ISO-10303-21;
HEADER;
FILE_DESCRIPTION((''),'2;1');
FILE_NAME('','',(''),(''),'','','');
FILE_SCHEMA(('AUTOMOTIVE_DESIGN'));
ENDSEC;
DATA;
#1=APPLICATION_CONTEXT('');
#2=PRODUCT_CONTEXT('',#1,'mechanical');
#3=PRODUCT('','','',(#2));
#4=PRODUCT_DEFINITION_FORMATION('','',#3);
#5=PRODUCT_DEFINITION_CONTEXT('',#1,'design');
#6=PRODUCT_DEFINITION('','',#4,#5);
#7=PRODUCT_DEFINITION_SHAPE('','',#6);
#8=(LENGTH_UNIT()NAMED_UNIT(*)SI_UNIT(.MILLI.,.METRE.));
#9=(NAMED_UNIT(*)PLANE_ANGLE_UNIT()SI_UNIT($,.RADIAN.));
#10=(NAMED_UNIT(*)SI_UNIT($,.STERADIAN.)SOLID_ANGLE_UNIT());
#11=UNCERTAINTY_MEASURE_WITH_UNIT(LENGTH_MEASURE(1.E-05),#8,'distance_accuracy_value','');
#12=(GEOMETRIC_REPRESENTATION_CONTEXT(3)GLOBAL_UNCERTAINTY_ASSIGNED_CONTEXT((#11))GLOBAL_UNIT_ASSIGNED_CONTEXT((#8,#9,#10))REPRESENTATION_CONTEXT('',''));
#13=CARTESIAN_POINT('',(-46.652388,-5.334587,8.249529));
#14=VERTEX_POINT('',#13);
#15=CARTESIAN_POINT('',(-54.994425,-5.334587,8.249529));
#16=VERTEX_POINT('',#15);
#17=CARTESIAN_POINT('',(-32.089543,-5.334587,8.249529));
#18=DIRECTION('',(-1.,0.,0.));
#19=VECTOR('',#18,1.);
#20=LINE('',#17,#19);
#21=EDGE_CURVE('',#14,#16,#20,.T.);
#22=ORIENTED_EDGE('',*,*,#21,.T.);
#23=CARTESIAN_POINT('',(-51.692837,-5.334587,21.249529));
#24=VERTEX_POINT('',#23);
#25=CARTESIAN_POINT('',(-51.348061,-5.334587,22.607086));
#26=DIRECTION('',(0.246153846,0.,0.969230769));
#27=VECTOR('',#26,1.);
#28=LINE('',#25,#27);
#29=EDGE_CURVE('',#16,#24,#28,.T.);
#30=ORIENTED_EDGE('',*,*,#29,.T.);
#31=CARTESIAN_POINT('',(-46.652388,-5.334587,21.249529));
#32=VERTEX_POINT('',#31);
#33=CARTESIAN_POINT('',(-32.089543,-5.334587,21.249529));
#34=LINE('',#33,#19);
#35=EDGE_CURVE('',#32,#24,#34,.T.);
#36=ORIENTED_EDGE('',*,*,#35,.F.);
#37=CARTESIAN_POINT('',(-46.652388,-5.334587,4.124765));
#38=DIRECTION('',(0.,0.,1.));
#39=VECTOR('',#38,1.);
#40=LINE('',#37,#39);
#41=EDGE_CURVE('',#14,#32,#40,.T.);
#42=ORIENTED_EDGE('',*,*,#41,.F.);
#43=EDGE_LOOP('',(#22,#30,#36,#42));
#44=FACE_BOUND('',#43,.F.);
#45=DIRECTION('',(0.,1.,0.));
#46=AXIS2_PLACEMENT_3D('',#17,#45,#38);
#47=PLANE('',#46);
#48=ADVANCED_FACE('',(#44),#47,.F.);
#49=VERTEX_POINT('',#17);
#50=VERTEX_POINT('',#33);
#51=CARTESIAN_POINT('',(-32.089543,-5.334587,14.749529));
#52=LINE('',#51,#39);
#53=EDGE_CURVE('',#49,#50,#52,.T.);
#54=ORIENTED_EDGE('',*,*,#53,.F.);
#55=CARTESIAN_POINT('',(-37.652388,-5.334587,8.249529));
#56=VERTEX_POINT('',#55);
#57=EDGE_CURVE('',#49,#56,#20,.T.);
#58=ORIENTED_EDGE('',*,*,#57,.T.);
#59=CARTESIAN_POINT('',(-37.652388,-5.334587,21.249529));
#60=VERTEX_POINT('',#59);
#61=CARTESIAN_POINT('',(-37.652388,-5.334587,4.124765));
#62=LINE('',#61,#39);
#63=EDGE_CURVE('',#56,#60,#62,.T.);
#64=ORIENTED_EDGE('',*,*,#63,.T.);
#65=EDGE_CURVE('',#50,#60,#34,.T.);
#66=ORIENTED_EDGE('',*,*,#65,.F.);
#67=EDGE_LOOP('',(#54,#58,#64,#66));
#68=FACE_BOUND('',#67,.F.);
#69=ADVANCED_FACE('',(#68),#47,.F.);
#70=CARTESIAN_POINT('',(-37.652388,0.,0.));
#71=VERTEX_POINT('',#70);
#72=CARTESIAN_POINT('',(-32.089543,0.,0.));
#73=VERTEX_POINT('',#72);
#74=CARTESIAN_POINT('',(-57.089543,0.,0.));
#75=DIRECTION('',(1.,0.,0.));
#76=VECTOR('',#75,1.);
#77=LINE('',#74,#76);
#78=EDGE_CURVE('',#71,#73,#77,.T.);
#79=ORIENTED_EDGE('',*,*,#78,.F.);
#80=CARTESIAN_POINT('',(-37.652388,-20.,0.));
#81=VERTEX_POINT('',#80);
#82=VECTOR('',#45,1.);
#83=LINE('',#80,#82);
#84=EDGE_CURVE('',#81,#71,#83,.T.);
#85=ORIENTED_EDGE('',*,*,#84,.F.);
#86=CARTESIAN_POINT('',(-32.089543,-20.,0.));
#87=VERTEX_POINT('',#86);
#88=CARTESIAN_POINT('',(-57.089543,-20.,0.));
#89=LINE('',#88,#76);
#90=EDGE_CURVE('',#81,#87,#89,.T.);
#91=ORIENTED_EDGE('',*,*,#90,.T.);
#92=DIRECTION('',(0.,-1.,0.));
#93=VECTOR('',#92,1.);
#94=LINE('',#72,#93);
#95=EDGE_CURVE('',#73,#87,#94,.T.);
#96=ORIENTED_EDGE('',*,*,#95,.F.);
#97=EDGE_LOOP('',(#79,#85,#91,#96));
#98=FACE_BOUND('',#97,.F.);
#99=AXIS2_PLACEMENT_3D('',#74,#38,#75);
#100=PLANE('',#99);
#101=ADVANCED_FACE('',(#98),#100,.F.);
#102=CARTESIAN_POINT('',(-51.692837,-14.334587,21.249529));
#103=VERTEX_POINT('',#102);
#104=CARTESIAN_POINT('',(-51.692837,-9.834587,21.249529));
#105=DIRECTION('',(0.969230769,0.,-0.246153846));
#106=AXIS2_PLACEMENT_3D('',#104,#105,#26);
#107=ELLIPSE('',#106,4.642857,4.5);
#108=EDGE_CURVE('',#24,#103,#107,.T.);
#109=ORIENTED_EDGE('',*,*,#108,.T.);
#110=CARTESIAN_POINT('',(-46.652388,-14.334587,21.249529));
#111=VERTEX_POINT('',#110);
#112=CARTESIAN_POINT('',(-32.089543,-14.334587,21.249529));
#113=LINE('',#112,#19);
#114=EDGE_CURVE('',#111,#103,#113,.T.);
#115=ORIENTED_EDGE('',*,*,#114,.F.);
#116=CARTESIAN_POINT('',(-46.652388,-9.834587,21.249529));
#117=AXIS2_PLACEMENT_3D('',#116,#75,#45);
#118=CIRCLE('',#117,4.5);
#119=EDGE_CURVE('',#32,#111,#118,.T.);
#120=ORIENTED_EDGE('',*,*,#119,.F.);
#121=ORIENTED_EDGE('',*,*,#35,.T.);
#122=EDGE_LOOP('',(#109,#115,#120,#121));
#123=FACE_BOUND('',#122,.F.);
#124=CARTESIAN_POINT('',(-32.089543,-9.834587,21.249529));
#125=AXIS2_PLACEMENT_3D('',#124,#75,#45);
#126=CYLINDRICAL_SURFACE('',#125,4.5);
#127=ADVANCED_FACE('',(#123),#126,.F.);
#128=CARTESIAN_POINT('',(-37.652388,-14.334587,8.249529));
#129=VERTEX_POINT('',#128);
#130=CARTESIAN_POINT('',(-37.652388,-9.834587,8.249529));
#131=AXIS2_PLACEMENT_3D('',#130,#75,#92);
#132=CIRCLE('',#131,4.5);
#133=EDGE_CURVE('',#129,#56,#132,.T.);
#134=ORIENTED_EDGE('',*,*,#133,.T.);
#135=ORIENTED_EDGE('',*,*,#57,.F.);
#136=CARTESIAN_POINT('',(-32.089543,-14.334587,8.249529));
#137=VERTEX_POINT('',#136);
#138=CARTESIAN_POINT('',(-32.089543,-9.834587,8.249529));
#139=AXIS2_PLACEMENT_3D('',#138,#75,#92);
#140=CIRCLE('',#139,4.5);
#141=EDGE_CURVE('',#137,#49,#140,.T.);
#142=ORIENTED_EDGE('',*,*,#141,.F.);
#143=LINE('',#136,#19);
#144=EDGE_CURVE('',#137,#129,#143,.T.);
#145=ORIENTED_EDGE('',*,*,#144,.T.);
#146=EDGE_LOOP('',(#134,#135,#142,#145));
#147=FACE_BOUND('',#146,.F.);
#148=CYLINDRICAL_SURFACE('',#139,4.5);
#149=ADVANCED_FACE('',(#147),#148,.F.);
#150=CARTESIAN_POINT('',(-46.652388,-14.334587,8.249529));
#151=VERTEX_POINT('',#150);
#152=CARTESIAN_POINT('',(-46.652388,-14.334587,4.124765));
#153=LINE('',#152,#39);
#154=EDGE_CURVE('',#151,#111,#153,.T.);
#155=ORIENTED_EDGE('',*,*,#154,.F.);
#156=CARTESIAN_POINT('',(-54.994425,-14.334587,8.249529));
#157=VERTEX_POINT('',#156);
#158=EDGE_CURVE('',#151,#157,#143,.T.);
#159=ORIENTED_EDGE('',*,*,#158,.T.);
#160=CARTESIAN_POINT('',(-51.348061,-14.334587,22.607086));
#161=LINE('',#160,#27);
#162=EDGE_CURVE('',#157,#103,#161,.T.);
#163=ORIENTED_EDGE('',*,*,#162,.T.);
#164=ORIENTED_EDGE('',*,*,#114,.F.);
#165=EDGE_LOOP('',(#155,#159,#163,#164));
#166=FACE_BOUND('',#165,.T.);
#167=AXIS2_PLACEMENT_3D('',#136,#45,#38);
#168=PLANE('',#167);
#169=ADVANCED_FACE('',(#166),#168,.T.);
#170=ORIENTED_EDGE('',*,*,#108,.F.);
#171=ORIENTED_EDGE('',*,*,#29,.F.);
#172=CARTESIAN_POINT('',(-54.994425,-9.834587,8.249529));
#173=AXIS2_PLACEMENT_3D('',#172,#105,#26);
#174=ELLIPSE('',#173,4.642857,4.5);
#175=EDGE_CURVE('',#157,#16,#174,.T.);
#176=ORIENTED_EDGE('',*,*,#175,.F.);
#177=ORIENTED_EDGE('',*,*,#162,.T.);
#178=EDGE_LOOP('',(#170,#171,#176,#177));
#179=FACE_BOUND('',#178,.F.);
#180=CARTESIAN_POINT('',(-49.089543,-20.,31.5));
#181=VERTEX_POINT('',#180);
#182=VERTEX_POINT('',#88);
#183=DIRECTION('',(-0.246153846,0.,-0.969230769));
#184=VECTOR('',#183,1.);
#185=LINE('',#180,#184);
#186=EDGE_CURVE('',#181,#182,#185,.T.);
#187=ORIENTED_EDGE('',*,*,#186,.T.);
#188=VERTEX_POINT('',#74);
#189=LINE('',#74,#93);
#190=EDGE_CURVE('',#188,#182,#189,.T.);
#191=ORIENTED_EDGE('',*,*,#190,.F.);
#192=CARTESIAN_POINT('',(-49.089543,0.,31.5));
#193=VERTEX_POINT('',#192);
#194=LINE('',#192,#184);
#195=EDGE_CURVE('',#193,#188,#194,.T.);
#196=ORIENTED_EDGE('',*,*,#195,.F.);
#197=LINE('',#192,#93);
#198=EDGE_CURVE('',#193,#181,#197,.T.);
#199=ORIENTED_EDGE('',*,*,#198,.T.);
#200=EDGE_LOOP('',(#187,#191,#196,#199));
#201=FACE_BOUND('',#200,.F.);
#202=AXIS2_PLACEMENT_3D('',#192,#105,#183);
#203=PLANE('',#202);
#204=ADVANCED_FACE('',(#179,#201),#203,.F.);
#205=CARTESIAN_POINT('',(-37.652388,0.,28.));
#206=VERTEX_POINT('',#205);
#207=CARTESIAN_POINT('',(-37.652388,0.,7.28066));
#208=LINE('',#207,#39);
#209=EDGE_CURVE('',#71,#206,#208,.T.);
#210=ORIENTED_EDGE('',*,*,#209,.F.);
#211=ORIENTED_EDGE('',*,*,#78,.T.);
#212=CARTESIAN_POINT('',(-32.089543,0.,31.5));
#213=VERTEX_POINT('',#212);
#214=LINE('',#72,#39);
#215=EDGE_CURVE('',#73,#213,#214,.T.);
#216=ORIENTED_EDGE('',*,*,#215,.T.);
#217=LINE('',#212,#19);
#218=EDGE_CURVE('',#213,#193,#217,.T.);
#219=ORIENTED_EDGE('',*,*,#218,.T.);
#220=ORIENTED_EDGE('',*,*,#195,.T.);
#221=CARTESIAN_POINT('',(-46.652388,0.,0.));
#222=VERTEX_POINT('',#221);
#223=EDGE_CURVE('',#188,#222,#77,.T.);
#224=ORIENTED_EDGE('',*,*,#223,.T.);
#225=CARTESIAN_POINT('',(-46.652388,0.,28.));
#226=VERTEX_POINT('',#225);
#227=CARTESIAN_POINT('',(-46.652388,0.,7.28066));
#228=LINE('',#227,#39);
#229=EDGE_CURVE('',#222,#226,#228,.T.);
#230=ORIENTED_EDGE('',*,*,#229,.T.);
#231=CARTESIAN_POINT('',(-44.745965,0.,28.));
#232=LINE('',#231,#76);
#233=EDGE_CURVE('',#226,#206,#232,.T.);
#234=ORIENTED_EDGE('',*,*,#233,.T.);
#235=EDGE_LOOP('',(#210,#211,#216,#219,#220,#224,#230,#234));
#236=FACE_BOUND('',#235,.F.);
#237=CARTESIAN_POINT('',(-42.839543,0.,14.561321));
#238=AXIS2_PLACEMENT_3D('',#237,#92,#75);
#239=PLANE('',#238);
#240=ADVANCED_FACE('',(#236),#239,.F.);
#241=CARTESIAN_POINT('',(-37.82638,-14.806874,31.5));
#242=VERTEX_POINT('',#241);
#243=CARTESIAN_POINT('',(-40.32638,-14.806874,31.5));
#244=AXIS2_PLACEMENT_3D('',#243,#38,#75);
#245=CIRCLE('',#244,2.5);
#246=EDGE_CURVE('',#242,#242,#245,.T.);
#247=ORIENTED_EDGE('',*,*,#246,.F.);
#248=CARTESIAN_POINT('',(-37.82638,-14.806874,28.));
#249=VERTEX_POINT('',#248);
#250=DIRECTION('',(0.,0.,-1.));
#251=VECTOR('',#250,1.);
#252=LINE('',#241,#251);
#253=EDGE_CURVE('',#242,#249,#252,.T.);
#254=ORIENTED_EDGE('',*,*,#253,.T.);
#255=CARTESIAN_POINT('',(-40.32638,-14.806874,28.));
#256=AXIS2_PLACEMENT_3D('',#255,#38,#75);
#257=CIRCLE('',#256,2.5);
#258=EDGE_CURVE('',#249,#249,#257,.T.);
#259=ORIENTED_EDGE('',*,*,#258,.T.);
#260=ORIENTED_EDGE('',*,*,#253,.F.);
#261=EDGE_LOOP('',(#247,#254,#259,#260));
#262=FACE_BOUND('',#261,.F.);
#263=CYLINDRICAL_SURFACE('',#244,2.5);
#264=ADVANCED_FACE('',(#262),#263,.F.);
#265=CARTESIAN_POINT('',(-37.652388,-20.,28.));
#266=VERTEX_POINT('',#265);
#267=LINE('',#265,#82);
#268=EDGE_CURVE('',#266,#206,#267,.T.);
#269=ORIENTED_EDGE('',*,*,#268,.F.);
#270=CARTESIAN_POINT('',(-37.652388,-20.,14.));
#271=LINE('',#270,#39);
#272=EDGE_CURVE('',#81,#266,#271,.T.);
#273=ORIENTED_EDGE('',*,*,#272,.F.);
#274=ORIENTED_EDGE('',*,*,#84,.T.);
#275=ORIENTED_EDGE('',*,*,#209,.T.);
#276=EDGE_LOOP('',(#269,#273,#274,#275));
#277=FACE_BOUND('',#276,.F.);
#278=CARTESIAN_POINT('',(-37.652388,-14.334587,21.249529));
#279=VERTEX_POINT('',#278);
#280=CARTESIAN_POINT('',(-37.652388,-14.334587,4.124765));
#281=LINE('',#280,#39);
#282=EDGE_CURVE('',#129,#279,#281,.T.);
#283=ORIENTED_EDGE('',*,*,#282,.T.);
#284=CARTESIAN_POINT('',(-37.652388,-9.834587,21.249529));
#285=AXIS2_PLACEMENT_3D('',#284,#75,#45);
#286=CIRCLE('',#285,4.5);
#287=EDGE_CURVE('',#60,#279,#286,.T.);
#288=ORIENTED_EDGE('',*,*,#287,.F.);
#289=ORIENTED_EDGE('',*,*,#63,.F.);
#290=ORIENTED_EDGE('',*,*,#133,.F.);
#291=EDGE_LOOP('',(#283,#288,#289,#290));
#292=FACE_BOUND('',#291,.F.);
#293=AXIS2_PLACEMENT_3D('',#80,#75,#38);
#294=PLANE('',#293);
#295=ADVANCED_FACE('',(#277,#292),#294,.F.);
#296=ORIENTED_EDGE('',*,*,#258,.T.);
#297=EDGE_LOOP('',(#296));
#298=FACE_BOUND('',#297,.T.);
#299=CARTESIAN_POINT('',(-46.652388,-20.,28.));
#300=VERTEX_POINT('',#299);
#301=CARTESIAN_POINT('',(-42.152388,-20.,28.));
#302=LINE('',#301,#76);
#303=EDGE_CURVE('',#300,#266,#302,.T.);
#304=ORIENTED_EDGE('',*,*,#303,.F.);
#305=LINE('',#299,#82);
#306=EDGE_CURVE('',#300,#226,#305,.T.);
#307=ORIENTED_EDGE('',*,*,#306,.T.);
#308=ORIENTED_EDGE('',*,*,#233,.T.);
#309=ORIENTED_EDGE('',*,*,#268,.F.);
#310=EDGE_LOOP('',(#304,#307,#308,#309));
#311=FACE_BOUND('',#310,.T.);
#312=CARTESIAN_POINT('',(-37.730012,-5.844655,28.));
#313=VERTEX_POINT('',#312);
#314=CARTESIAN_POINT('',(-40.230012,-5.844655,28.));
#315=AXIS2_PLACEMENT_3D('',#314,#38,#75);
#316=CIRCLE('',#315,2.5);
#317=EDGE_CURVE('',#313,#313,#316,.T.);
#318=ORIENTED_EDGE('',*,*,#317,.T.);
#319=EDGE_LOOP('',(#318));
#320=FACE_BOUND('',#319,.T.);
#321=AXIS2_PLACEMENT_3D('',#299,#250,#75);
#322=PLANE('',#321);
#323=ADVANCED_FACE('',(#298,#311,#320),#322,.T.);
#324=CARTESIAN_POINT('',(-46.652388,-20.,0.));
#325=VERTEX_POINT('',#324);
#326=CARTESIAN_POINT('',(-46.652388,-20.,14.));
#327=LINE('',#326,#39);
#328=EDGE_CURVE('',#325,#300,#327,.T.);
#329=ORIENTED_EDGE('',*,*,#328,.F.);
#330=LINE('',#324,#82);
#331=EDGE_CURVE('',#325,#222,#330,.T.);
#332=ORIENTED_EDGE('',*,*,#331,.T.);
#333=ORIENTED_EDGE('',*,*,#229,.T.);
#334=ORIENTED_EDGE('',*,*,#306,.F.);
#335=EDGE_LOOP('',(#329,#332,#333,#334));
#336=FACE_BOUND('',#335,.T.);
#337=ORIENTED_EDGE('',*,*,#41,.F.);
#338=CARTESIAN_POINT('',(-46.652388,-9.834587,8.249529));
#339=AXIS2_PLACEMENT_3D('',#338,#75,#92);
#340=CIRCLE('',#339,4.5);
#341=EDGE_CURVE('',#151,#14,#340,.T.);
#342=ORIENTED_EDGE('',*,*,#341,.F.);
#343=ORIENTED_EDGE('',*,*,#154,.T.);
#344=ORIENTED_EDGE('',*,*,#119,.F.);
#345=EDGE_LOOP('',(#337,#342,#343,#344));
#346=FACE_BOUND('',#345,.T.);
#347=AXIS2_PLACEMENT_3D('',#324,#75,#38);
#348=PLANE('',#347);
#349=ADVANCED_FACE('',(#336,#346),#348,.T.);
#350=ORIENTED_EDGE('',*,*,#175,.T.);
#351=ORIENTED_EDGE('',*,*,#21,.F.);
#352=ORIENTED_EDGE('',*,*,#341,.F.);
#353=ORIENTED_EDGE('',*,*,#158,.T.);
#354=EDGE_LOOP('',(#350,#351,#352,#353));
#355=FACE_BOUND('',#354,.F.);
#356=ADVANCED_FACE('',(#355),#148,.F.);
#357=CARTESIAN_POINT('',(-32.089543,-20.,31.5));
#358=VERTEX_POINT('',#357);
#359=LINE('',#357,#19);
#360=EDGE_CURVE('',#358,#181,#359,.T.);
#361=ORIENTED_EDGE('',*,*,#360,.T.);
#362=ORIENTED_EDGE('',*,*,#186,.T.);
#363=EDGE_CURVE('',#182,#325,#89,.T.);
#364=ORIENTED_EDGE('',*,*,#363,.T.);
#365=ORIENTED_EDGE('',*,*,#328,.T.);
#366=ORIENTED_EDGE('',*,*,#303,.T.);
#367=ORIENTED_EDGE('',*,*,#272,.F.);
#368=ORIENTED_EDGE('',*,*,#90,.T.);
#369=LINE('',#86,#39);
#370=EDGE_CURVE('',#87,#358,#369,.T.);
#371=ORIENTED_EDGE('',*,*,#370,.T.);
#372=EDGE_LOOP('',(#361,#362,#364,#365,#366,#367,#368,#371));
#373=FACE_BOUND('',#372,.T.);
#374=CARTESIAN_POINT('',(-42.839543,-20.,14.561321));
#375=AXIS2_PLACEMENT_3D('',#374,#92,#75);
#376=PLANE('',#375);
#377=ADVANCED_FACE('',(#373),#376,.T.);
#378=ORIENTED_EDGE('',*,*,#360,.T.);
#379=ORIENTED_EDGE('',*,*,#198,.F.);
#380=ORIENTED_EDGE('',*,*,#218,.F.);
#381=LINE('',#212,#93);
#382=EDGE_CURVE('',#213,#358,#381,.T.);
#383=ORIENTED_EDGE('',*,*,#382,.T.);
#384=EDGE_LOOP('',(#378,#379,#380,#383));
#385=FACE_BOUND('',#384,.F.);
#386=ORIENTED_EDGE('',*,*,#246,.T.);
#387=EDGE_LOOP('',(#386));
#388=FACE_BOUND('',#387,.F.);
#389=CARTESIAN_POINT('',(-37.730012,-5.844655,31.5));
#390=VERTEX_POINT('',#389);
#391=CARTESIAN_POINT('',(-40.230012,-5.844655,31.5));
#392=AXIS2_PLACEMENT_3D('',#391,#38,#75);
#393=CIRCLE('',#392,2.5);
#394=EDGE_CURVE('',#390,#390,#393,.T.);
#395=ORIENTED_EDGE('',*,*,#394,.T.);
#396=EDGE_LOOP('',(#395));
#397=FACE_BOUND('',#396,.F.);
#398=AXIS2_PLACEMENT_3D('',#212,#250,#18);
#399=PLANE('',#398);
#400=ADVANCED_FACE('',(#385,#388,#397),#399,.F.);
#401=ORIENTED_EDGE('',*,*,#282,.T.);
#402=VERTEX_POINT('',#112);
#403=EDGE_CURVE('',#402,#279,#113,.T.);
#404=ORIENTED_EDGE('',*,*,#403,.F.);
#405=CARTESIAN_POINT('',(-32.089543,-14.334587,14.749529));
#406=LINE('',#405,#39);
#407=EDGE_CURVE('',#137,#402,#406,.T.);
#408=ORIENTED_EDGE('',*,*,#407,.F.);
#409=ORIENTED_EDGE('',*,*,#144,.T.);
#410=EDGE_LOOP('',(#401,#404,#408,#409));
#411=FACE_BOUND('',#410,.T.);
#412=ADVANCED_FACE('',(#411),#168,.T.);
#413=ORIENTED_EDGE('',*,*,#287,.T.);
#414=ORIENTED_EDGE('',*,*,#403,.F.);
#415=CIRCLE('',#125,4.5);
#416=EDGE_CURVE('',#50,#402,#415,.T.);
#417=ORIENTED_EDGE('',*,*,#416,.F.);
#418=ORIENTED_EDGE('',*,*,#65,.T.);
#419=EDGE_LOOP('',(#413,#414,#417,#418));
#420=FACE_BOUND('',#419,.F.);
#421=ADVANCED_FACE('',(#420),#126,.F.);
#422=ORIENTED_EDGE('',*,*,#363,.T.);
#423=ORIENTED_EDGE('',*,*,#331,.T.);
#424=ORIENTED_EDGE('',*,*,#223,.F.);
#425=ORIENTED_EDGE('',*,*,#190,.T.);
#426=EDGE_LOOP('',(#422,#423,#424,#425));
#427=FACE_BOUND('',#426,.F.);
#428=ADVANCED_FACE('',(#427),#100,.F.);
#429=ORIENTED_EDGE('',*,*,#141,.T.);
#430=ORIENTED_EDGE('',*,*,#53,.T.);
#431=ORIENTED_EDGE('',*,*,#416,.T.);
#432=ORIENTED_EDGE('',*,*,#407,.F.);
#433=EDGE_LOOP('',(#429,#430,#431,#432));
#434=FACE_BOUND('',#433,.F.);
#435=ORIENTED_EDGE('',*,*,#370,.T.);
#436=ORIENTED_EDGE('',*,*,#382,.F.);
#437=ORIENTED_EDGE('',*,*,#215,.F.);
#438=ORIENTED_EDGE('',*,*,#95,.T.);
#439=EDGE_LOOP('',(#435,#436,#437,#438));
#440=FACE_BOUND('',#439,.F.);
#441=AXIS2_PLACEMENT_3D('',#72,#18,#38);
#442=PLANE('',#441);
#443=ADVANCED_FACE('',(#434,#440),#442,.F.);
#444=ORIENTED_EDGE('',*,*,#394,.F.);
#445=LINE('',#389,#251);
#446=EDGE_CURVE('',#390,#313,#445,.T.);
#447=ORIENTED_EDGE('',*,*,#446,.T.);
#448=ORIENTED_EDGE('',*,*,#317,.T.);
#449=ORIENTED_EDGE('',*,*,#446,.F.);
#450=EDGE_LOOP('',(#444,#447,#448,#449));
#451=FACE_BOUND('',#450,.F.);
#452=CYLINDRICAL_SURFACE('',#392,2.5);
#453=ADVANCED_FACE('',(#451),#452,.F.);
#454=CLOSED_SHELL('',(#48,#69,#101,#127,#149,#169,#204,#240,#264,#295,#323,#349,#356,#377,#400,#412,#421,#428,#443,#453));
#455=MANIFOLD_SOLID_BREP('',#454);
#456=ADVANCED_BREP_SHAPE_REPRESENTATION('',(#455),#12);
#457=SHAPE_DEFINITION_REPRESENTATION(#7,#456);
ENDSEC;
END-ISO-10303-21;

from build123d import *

# Parameters (mm, degrees)
F1_DEPTH = 20
F2_R     = 2.5
F3_DEPTH = 10
F5_W     = 9
F5_H     = 28
F6_DEPTH = 25
F7_W     = 9
F7_H     = 13
F8_DEPTH = 25


with BuildPart() as f1:
    # F0 (on Front) → F1 (new body)
    with BuildSketch(Plane.XZ):
        Polygon((-49.089543, 31.5), (-57.089543, 0), (-32.089543, 0), (-32.089543, 31.5), align=None)
    extrude(amount=F1_DEPTH)

    # F2 (on face) → F3 (cut)
    with BuildSketch(Plane.XY.offset(31.5)):
        with Locations((-40.230012, -5.844655)):
            Circle(F2_R)
        with Locations((-40.32638, -14.806874)):
            Circle(F2_R)
    extrude(amount=-F3_DEPTH, mode=Mode.SUBTRACT)

    # F5 (on face) → F6 (cut)
    with BuildSketch(Plane.XZ.offset(20)):
        with Locations((-42.152388, 14)):
            Rectangle(F5_W, F5_H)
    extrude(amount=-F6_DEPTH, mode=Mode.SUBTRACT)

    # F7 (on face) → F8 (cut)
    with BuildSketch(Plane.YZ.offset(-32.089543)):
        with BuildLine():
            ThreePointArc((-5.334587, 21.249529), (-9.834587, 25.749529), (-14.334587, 21.249529))
            Line((-14.334587, 21.249529), (-5.334587, 21.249529))
        make_face()
        with Locations((-9.834587, 14.749529)):
            Rectangle(F7_W, F7_H)
        with BuildLine():
            Line((-5.334587, 8.249529), (-14.334587, 8.249529))
            ThreePointArc((-14.334587, 8.249529), (-9.834587, 3.749529), (-5.334587, 8.249529))
        make_face()
    extrude(amount=-F8_DEPTH, mode=Mode.SUBTRACT)


solid = f1.part
